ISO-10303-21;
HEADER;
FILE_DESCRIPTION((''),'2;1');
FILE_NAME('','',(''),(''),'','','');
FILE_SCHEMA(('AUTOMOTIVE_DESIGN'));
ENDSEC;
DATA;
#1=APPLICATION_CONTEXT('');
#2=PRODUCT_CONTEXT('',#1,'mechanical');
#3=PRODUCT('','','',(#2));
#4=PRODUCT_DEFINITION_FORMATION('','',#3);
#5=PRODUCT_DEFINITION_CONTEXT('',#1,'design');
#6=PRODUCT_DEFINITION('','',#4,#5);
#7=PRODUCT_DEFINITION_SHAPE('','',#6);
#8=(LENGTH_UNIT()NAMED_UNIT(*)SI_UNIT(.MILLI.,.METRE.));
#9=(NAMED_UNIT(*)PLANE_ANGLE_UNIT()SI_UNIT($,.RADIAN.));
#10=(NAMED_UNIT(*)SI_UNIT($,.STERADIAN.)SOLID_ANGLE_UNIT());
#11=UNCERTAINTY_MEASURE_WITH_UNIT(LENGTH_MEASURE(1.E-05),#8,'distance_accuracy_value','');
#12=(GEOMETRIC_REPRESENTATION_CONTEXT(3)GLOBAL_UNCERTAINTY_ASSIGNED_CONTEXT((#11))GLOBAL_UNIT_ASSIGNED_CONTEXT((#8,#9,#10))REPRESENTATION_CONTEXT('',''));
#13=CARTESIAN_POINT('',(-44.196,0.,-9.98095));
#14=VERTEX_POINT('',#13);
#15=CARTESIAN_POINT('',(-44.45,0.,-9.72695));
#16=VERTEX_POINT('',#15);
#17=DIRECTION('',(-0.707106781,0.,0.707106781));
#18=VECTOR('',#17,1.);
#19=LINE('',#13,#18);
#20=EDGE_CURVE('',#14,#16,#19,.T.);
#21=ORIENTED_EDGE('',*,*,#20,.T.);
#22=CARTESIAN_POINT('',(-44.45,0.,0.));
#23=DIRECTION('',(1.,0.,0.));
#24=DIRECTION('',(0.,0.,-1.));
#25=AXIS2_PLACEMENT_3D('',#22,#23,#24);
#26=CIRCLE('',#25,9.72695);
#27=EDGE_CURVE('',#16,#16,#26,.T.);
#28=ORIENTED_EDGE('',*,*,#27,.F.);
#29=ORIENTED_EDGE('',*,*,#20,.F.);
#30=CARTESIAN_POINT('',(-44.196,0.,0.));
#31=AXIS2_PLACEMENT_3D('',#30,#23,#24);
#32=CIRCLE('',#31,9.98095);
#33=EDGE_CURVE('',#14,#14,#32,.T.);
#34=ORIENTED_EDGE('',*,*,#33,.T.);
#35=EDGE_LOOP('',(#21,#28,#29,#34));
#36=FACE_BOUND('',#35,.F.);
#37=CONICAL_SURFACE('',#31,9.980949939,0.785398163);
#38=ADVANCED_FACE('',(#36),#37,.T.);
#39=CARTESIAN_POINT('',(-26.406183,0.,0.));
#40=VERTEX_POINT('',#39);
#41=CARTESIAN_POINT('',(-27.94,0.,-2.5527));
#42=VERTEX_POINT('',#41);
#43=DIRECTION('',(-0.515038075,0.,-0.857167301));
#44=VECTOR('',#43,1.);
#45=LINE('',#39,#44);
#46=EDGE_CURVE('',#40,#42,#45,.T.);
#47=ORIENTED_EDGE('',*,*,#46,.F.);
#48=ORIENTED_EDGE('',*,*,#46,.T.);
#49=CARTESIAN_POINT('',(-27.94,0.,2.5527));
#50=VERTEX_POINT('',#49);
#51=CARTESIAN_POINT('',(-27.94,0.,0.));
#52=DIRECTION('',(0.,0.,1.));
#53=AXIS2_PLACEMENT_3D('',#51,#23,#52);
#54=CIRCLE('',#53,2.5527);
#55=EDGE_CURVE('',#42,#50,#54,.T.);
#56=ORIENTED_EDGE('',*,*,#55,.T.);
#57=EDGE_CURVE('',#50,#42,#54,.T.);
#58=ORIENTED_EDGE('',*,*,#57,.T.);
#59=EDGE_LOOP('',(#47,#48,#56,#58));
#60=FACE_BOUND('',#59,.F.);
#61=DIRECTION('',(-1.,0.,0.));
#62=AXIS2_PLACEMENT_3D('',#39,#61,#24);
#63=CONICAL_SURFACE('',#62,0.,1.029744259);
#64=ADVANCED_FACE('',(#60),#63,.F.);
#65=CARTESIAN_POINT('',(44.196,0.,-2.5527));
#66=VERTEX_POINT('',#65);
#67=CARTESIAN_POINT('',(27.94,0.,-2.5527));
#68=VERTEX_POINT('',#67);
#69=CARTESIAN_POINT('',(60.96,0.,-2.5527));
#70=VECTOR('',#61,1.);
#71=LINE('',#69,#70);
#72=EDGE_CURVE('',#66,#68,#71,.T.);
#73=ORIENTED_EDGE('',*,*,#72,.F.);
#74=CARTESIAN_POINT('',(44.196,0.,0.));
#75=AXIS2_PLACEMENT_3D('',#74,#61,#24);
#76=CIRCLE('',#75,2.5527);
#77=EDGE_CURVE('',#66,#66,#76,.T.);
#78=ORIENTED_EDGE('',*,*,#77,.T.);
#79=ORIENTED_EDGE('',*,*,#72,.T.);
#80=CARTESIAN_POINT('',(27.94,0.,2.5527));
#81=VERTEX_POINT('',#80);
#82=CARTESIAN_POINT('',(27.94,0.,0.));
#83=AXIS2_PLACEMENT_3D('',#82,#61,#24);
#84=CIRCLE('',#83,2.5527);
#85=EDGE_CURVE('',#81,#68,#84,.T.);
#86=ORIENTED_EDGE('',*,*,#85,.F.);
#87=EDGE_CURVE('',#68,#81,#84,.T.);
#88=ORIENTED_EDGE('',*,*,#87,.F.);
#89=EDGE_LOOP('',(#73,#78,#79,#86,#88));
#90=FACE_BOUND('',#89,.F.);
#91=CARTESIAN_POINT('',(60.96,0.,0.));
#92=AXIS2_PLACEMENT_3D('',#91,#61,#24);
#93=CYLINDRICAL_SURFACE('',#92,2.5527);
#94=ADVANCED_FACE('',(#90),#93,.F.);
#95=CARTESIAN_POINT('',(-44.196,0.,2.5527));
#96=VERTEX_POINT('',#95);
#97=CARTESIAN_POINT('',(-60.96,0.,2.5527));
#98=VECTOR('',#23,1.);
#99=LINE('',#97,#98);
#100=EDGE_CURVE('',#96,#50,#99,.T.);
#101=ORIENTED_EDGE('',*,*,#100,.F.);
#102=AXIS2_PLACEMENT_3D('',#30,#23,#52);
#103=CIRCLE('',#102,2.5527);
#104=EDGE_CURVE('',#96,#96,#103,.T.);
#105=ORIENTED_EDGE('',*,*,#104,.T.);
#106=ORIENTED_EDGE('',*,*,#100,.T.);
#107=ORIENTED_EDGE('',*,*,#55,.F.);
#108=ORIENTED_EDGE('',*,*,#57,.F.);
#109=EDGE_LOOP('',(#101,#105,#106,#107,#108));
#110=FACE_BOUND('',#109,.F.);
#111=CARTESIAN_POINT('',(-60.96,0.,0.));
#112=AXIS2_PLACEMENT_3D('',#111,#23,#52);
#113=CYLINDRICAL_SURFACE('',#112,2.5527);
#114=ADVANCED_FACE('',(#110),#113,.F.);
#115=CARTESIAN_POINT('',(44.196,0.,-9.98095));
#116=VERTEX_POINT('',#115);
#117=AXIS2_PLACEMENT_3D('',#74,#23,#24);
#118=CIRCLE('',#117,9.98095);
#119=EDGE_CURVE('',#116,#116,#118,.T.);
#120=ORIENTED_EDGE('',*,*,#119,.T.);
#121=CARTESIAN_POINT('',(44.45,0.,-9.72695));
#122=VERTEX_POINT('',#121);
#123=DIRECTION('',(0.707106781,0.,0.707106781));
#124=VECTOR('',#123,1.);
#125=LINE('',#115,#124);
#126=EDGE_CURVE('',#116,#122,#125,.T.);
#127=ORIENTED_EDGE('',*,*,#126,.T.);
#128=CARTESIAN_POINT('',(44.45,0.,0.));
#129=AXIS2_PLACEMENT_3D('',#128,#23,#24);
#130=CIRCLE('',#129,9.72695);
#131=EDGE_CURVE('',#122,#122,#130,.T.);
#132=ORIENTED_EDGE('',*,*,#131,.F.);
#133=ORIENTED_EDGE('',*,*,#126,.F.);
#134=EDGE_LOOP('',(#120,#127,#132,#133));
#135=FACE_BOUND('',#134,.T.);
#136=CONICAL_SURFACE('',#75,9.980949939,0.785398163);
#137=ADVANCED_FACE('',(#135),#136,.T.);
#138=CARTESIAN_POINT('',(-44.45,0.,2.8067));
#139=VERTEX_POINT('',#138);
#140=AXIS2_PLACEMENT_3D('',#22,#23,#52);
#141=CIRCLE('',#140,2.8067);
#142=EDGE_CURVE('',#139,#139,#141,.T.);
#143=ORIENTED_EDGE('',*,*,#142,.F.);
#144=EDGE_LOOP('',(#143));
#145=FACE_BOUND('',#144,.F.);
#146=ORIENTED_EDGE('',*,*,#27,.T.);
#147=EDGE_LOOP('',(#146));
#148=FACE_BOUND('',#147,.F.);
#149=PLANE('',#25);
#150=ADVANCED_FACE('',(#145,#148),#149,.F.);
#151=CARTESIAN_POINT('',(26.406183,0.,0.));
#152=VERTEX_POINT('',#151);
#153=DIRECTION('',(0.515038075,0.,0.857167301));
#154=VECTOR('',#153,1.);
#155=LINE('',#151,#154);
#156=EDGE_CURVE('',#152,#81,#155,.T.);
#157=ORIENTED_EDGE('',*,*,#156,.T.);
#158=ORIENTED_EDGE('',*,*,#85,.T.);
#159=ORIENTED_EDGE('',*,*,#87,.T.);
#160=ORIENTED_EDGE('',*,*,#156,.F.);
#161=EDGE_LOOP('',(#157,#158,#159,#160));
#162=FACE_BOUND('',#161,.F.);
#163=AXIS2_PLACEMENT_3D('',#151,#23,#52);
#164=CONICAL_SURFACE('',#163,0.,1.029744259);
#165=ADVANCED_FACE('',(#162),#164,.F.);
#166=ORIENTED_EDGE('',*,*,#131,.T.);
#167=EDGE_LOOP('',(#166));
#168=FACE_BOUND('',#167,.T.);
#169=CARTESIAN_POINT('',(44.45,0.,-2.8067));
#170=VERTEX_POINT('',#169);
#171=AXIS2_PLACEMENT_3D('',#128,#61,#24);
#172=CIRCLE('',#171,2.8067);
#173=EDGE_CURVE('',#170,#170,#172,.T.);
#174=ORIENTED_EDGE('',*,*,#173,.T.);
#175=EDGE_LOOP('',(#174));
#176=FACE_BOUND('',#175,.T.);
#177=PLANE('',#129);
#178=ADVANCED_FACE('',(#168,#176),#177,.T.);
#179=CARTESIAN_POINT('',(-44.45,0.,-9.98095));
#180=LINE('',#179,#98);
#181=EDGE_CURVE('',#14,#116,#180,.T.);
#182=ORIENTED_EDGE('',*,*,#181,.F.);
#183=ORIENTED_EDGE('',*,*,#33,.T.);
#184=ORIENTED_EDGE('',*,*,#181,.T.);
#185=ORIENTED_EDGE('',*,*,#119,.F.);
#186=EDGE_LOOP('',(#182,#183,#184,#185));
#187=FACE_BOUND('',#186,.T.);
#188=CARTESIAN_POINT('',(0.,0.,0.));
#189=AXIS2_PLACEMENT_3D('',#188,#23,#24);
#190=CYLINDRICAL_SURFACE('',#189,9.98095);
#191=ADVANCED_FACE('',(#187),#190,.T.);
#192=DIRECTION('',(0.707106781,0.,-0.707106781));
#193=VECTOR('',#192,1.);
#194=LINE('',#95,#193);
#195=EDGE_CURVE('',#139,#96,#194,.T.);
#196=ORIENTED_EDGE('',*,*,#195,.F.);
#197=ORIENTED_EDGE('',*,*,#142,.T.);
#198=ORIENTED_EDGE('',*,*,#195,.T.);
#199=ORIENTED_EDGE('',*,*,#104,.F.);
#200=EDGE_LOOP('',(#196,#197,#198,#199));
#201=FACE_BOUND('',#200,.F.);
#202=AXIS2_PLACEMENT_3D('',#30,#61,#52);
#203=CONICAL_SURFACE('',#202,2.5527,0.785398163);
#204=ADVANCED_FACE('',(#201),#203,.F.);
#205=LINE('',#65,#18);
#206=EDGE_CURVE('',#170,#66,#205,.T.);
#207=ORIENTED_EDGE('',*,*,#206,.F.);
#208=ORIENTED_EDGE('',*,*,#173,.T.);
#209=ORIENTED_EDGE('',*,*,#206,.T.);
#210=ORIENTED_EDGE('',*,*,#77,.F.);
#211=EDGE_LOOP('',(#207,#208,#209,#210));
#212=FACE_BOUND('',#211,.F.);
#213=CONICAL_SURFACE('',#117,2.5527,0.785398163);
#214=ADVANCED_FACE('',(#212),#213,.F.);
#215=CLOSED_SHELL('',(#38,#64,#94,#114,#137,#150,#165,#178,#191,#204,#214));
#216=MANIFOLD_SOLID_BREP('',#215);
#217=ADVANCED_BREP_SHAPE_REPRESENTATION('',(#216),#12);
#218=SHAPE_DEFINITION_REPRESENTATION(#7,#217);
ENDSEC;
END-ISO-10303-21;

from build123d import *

# Parameters (mm, degrees)
SKETCH2_R                             = 9.980949939
BOSS_EXTRUDE1_DEPTH                   = 44.45
F_1_4_20_TAPPED_HOLE1_D               = 5.1054
F_1_4_20_TAPPED_HOLE1_DEPTH           = 16.51
F_1_4_20_TAPPED_HOLE1_TIP             = 1.533816902
F_1_4_20_TAPPED_HOLE1_ON_FACE_2_D     = 5.1054
F_1_4_20_TAPPED_HOLE1_ON_FACE_2_DEPTH = 16.51
F_1_4_20_TAPPED_HOLE1_ON_FACE_2_TIP   = 1.533816902
F_1_4_20_TAPPED_HOLE1_ON_FACE_3_D     = 5.1054
F_1_4_20_TAPPED_HOLE1_ON_FACE_3_DEPTH = 16.51
F_1_4_20_TAPPED_HOLE1_ON_FACE_3_TIP   = 1.533816902
CHAMFER1_SIZE                         = 0.254


with BuildPart() as part:
    # Sketch2 → Boss-Extrude1 (new body, symmetric)
    with BuildSketch(Plane(origin=(0, 0, 0), x_dir=(0, 0, -1), z_dir=(1, 0, 0))):
        Circle(SKETCH2_R)
    extrude(amount=BOSS_EXTRUDE1_DEPTH, both=True)

    # 1/4-20 Tapped Hole1
    with Locations(Plane(origin=(-44.45, 0, 0), x_dir=(0, 0, -1), z_dir=(-1, 0, 0))):
        with Locations((0, 0)):
            Hole(F_1_4_20_TAPPED_HOLE1_D / 2, depth=F_1_4_20_TAPPED_HOLE1_DEPTH)
            with Locations((0, 0, -(F_1_4_20_TAPPED_HOLE1_DEPTH + F_1_4_20_TAPPED_HOLE1_TIP / 2))):  # 118° drill point
                Cone(0, F_1_4_20_TAPPED_HOLE1_D / 2, F_1_4_20_TAPPED_HOLE1_TIP, mode=Mode.SUBTRACT)

    # 1/4-20 Tapped Hole1 on face 2
    with Locations(Plane(origin=(14.956085126, -44.657762317, 0), x_dir=(0, 0, -1), z_dir=(-1, 0, 0))):
        with Locations((0, 0)):
            Hole(F_1_4_20_TAPPED_HOLE1_ON_FACE_2_D / 2, depth=F_1_4_20_TAPPED_HOLE1_ON_FACE_2_DEPTH)
            with Locations((0, 0, -(F_1_4_20_TAPPED_HOLE1_ON_FACE_2_DEPTH + F_1_4_20_TAPPED_HOLE1_ON_FACE_2_TIP / 2))):  # 118° drill point
                Cone(0, F_1_4_20_TAPPED_HOLE1_ON_FACE_2_D / 2, F_1_4_20_TAPPED_HOLE1_ON_FACE_2_TIP, mode=Mode.SUBTRACT)

    # 1/4-20 Tapped Hole1 on face 3
    with Locations(Plane(origin=(44.45, 0, 0), x_dir=(0, 0, 1), z_dir=(1, 0, 0))):
        with Locations((0, 0)):
            Hole(F_1_4_20_TAPPED_HOLE1_ON_FACE_3_D / 2, depth=F_1_4_20_TAPPED_HOLE1_ON_FACE_3_DEPTH)
            with Locations((0, 0, -(F_1_4_20_TAPPED_HOLE1_ON_FACE_3_DEPTH + F_1_4_20_TAPPED_HOLE1_ON_FACE_3_TIP / 2))):  # 118° drill point
                Cone(0, F_1_4_20_TAPPED_HOLE1_ON_FACE_3_D / 2, F_1_4_20_TAPPED_HOLE1_ON_FACE_3_TIP, mode=Mode.SUBTRACT)

    # Chamfer1
    chamfer1_edges = [part.edges().sort_by_distance(p)[0] for p in [
        (-44.45, 0, 9.980949939),
        (44.45, 0, 9.980949939),
        (-44.45, 0, -2.5527),
        (44.45, 0, 2.5527),
    ]]
    chamfer(chamfer1_edges, length=CHAMFER1_SIZE)


solid = part.part
